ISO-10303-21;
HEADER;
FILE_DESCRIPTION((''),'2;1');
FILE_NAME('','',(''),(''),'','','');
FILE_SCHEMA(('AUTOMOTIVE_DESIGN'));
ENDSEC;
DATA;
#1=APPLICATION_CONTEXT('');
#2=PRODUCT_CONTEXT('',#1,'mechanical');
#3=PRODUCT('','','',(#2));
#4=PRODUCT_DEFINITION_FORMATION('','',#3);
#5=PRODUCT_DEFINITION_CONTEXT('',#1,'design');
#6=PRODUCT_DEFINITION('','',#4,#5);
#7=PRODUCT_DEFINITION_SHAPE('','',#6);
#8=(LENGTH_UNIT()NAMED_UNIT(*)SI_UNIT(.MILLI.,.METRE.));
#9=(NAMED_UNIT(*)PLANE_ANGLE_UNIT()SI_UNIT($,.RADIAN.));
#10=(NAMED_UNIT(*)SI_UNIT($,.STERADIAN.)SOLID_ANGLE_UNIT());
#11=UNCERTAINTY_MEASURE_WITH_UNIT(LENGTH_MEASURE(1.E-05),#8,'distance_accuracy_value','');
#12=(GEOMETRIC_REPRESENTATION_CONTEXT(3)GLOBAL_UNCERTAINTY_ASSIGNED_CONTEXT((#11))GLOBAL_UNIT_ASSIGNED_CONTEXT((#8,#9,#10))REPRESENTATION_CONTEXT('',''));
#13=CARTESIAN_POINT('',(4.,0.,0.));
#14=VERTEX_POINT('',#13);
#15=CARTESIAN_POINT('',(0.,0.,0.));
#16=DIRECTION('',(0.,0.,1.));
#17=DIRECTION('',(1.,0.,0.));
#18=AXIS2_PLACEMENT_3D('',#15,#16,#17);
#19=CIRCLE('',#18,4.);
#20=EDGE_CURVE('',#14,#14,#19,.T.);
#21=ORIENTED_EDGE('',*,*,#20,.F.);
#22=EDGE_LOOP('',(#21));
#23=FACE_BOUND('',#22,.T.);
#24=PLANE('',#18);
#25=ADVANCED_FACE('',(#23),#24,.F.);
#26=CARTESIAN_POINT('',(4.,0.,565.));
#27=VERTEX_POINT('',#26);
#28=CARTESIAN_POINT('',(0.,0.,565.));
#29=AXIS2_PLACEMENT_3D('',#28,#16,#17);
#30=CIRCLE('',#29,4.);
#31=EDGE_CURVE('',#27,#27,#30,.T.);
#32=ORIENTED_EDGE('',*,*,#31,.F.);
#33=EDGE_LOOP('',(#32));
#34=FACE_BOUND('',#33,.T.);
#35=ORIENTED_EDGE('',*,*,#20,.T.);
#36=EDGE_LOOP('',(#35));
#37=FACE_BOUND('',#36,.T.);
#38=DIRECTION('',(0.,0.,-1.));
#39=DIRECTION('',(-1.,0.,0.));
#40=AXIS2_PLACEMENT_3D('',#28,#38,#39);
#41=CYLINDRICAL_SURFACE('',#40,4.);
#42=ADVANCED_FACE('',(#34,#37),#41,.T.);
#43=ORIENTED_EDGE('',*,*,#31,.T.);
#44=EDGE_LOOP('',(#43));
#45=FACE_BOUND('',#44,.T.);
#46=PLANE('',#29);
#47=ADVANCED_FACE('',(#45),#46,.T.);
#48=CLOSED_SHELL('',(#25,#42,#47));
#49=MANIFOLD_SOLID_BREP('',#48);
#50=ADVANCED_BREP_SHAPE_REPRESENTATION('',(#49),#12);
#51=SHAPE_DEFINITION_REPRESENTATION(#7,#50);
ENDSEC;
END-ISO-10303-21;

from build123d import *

# Parameters (mm, degrees)
ESQUISSE1_R        = 4
BOSS_EXTRU_1_DEPTH = 565


with BuildPart() as part:
    # Esquisse1 → Boss.-Extru.1 (new body)
    with BuildSketch(Plane.XY):
        Circle(ESQUISSE1_R)
    extrude(amount=BOSS_EXTRU_1_DEPTH)


solid = part.part
